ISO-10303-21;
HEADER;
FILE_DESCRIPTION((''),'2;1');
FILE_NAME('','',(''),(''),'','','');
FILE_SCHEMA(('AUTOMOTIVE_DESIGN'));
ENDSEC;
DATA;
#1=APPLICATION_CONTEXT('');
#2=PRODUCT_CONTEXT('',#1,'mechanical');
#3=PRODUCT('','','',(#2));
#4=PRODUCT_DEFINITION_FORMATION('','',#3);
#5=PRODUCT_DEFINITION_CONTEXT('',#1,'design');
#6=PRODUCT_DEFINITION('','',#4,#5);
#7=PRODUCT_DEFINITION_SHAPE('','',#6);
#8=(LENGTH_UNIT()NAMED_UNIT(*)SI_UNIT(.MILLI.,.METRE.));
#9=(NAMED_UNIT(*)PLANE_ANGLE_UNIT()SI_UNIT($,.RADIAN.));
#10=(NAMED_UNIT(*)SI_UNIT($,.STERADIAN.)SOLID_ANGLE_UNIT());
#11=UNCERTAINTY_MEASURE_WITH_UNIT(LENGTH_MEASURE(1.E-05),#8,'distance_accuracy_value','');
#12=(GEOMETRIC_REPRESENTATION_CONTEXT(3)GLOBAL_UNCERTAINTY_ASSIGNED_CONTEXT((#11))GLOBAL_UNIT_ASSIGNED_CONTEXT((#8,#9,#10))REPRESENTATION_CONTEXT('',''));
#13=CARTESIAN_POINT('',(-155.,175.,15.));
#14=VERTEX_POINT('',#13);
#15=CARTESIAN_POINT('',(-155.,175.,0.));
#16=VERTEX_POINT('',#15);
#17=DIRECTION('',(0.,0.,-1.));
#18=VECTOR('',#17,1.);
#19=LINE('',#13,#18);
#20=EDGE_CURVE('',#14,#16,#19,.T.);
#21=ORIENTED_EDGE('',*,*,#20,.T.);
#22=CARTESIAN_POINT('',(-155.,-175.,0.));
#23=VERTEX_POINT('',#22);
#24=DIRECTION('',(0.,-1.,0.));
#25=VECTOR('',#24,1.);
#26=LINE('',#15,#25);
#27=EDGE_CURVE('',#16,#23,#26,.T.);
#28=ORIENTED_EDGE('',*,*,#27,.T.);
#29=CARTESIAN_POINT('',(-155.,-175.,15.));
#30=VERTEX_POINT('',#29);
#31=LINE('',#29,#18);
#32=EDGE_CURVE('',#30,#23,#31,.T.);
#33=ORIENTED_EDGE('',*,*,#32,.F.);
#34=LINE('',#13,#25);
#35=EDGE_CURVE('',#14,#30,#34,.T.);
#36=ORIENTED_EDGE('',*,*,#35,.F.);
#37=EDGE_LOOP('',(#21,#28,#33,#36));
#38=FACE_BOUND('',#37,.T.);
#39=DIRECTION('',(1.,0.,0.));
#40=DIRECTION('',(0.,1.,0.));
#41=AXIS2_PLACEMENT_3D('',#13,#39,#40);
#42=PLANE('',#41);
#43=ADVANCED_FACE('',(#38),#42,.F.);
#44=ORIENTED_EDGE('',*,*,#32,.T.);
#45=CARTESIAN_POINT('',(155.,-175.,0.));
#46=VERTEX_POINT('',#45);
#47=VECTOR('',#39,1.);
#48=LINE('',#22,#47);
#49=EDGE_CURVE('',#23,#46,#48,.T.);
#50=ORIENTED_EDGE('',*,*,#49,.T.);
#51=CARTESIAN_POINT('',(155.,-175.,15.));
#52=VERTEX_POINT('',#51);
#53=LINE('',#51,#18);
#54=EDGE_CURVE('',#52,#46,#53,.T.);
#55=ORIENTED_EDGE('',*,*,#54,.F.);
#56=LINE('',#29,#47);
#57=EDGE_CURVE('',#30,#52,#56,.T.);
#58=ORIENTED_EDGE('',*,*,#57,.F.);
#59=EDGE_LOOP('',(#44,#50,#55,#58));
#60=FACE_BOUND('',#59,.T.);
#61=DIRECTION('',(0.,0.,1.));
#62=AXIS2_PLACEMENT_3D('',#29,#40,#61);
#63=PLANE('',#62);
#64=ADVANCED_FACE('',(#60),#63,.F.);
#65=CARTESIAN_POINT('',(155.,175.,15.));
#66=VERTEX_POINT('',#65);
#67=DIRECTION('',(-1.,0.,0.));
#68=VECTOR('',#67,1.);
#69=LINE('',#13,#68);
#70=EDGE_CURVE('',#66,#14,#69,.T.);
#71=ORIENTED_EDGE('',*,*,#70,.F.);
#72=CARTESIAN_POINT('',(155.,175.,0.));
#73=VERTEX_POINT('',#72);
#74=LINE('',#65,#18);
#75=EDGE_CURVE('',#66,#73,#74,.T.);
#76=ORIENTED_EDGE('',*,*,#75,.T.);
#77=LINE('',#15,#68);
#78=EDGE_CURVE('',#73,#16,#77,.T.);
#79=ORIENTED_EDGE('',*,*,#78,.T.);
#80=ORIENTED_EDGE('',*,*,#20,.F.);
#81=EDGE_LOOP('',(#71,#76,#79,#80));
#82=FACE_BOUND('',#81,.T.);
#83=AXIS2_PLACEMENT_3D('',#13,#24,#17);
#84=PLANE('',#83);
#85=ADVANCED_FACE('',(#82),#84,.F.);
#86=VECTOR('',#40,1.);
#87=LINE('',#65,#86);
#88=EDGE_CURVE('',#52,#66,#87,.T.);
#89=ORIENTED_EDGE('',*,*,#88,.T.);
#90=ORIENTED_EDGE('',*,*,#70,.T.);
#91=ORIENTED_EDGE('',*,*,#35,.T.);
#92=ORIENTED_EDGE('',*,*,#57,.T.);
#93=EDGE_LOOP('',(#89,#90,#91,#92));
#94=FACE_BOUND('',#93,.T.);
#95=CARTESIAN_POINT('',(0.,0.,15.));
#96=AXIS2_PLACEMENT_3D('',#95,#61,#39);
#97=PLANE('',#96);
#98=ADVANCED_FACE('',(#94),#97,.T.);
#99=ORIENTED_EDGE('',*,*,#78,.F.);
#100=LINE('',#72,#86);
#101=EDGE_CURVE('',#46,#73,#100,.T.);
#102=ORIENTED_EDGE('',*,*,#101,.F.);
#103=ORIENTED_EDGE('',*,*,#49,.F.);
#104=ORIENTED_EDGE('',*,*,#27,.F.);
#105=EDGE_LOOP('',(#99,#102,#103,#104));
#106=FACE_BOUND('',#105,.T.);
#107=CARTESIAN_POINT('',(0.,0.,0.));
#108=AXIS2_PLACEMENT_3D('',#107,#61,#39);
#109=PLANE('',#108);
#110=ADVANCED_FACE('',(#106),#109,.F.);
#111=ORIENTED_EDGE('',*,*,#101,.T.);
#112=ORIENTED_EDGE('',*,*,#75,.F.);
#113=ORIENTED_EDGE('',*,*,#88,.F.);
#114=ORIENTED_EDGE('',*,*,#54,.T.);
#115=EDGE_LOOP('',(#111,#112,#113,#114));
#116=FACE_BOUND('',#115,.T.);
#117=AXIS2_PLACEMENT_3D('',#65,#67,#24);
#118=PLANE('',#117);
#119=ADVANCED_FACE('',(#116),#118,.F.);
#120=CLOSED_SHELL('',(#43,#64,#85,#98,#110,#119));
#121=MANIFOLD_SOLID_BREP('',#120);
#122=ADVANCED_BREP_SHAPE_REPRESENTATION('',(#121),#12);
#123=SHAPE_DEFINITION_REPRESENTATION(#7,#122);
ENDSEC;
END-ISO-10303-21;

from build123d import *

# Parameters (mm, degrees)
ESQUISSE1_W        = 310
ESQUISSE1_H        = 350
BOSS_EXTRU_1_DEPTH = 15


with BuildPart() as part:
    # Esquisse1 → Boss.-Extru.1 (new body)
    with BuildSketch(Plane.XY):
        Rectangle(ESQUISSE1_W, ESQUISSE1_H)
    extrude(amount=BOSS_EXTRU_1_DEPTH)


solid = part.part
